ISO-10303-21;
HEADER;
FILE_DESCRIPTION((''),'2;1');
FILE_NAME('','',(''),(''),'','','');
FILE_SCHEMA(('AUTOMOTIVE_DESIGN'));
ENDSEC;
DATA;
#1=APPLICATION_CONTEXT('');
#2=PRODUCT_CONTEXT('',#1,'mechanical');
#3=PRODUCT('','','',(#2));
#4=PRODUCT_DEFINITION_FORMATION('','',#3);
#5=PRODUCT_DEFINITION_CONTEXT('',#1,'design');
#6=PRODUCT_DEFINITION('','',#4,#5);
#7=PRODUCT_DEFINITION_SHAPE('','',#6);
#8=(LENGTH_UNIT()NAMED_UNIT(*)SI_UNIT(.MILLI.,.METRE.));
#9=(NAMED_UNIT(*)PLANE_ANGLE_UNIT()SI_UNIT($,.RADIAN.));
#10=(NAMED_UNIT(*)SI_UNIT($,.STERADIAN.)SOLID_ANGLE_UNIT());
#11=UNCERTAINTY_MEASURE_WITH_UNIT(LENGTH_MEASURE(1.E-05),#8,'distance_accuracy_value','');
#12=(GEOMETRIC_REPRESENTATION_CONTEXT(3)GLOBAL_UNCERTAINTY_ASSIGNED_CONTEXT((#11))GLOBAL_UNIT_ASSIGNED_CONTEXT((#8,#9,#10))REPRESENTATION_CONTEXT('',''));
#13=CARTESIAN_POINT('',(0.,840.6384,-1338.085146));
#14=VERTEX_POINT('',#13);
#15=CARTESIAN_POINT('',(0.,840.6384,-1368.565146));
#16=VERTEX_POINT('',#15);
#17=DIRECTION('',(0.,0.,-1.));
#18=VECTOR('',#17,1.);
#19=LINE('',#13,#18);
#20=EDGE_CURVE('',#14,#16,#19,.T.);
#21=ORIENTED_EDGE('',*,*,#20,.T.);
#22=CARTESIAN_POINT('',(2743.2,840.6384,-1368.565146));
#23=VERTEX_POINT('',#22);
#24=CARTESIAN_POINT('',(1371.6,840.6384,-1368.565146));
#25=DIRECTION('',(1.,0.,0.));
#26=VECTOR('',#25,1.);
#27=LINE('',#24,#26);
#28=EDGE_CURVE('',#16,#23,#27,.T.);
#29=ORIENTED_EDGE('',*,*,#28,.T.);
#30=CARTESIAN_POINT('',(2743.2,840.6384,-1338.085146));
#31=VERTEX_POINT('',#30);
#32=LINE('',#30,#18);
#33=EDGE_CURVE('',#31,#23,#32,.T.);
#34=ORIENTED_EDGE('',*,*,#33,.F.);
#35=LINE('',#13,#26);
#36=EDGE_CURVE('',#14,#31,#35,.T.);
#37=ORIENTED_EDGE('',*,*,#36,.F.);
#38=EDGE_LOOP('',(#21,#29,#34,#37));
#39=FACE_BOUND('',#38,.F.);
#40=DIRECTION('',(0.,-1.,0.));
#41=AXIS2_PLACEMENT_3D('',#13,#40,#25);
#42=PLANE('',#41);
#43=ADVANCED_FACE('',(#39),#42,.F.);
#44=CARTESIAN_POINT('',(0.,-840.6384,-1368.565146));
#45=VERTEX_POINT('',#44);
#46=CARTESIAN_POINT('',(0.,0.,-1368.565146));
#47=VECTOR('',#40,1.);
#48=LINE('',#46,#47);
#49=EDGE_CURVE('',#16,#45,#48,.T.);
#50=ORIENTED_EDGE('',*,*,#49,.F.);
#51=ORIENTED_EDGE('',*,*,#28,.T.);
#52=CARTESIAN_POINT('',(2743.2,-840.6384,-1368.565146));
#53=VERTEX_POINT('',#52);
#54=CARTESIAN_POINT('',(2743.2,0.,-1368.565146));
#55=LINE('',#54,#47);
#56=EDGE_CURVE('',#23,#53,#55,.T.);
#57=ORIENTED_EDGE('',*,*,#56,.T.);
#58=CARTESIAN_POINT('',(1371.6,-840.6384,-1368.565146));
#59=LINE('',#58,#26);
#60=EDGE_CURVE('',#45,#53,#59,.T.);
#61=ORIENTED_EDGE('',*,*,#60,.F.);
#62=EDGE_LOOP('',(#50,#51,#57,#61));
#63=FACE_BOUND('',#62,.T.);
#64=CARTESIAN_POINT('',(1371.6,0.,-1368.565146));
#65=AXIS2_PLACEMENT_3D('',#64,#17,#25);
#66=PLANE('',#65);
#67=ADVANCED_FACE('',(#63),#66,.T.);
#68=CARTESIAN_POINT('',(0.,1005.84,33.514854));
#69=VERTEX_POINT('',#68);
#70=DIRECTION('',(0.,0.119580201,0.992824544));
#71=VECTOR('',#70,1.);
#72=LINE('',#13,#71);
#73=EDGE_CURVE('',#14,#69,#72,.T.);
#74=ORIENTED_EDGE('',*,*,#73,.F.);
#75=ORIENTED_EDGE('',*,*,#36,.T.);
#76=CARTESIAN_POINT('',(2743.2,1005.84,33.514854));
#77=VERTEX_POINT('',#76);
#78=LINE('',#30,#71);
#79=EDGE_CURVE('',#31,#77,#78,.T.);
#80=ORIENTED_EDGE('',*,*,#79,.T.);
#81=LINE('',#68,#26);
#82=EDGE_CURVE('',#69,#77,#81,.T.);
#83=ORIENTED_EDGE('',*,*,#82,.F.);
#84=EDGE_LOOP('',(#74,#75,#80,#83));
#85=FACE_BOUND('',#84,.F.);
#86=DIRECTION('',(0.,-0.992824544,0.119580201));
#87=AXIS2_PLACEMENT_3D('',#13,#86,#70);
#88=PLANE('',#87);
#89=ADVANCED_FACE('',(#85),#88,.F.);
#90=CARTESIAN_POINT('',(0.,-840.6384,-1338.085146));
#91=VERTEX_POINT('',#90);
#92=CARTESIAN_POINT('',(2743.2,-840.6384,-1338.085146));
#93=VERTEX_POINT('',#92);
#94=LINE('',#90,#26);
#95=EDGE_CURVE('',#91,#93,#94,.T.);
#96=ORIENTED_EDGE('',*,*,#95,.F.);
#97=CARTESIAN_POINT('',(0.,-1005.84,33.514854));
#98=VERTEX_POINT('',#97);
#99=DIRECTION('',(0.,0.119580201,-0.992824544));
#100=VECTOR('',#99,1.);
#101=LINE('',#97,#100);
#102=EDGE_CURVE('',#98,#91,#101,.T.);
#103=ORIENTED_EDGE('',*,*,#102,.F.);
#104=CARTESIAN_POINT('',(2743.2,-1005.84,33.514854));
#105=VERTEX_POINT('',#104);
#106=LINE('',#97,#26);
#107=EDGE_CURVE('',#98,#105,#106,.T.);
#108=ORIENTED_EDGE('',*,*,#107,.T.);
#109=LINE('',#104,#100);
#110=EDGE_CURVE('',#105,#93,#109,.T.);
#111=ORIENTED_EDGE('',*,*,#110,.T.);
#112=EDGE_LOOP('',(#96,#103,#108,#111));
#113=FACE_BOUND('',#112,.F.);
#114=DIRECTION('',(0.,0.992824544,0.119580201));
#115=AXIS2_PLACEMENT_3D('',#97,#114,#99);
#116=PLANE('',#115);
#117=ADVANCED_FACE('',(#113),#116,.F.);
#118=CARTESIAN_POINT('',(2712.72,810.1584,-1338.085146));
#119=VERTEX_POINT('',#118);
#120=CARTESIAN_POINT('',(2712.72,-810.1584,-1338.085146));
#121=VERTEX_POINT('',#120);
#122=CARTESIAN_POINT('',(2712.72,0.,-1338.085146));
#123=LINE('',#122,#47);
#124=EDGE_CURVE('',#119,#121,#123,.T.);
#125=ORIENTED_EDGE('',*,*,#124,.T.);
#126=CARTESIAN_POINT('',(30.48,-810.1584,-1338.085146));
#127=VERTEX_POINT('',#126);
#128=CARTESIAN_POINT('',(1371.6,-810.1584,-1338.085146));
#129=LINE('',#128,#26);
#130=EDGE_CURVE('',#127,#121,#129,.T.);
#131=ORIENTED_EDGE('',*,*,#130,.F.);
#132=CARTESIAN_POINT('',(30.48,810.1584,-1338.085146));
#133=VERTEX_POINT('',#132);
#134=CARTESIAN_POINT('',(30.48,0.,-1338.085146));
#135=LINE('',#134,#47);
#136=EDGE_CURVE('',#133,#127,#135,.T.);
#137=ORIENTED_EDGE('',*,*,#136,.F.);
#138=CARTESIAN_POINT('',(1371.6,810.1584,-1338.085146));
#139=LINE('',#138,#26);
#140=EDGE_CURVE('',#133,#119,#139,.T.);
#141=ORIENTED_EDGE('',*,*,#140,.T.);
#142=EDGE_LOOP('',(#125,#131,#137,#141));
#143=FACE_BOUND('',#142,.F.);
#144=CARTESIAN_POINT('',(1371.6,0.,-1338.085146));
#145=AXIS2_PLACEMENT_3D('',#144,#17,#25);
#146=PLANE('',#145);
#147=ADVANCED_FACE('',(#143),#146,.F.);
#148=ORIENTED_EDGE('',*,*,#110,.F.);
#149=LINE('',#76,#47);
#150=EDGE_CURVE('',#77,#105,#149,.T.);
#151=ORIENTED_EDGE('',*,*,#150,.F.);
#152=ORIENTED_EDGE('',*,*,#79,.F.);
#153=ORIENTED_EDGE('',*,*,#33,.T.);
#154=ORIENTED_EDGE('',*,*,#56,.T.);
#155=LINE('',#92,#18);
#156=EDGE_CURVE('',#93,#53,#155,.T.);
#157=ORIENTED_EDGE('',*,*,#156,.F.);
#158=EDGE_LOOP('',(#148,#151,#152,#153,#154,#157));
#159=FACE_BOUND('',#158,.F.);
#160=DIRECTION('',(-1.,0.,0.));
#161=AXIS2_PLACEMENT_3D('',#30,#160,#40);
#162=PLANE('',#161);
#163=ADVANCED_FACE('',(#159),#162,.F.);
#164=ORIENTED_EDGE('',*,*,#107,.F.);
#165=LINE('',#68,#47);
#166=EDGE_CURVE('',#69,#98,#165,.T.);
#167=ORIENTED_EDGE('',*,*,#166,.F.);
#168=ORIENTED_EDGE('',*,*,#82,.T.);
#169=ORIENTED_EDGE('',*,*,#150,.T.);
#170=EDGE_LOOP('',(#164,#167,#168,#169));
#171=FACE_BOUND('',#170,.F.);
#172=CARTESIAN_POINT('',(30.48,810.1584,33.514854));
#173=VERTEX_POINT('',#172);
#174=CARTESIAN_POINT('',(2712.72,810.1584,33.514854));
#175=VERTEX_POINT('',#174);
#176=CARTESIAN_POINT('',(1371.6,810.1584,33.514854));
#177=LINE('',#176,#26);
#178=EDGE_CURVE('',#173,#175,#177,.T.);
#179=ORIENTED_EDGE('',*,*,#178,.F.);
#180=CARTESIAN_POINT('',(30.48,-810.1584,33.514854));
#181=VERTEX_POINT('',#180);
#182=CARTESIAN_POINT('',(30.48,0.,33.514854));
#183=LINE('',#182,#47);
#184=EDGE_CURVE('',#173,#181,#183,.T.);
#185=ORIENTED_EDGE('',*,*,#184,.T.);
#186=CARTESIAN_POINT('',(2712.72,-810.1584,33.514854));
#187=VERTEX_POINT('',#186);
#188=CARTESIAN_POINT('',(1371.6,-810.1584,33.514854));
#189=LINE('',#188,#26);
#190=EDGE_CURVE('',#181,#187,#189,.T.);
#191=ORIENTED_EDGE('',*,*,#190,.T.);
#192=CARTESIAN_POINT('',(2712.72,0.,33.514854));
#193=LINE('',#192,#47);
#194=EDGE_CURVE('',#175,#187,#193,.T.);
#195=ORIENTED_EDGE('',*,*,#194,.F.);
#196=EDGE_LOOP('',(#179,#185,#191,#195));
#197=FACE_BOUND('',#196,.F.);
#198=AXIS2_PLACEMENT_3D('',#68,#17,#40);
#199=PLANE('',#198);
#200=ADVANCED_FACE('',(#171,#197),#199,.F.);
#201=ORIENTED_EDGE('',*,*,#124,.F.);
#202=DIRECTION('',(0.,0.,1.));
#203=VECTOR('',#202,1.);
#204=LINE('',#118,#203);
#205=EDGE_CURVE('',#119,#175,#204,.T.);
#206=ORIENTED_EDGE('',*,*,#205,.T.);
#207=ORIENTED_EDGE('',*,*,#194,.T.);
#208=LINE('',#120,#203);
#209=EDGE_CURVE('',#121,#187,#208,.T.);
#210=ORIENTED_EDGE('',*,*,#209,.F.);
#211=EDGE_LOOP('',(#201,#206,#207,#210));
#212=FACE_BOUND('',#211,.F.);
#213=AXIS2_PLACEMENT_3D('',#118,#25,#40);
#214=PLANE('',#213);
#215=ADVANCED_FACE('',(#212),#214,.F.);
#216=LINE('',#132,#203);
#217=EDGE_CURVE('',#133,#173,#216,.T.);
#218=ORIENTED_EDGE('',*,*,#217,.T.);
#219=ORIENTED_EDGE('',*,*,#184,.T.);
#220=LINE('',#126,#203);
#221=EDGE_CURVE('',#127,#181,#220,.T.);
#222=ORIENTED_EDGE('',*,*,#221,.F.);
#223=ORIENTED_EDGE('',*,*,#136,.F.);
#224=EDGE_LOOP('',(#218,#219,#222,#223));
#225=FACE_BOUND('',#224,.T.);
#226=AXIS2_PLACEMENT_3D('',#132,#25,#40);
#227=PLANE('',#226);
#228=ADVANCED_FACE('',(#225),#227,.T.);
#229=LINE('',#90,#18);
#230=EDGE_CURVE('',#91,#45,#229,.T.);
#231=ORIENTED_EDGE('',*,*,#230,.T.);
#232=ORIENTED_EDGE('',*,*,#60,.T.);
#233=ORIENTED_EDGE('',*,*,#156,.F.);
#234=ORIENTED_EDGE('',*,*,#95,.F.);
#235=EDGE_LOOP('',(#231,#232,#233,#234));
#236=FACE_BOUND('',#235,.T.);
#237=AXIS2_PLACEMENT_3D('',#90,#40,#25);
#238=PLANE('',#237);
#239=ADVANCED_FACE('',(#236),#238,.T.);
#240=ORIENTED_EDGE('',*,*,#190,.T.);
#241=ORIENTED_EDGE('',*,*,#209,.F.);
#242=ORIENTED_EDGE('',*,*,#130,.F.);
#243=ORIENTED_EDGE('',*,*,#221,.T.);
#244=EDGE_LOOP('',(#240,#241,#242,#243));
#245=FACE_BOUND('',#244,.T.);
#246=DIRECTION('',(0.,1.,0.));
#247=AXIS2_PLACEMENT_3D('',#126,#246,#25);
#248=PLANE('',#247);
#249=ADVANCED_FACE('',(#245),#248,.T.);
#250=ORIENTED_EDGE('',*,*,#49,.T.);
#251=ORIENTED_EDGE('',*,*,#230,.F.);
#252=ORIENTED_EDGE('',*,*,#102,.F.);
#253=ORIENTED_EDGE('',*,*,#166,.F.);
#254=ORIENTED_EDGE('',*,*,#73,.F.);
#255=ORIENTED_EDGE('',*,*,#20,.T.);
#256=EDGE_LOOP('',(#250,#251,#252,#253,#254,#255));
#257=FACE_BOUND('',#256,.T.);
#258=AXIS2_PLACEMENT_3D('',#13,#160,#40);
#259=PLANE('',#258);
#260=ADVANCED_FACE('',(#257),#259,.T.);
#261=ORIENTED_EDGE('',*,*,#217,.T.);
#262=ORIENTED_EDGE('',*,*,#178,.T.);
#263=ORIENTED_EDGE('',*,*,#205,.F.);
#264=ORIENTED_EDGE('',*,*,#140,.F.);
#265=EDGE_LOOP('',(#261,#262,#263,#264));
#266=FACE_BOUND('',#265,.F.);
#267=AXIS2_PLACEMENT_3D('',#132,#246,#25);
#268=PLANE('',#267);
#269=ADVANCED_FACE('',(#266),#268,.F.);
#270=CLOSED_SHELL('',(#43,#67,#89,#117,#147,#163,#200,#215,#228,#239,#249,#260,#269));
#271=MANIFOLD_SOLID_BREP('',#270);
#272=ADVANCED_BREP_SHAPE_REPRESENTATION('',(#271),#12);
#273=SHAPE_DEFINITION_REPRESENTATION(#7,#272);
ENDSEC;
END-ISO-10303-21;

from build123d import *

# Parameters (mm, degrees)
F1_DEPTH = 2743.2
F2_W     = 2682.24
F2_H     = 1620.3168
F3_DEPTH = 1371.6
F4_W     = 2743.2
F4_H     = 1681.2768
F5_DEPTH = 30.48


with BuildPart() as f1:
    # F0 (on Right) → F1 (new body)
    with BuildSketch(Plane.YZ):
        Polygon((-840.6384, -1338.085146), (0, -1338.085146), (840.6384, -1338.085146), (1005.84, 33.514854), (0, 33.514854), (-1005.84, 33.514854), align=None)
    extrude(amount=F1_DEPTH)

    # F2 (on face) → F3 (cut, through all)
    with BuildSketch(Plane(origin=(0, 0, -1338.085146), x_dir=(1, 0, 0), z_dir=(0, 0, -1))):
        with Locations((1371.6, 0)):
            Rectangle(F2_W, F2_H)
    extrude(amount=-F3_DEPTH, mode=Mode.SUBTRACT)

    # F4 (on face) → F5 (join)
    with BuildSketch(Plane(origin=(0, 0, -1338.085146), x_dir=(1, 0, 0), z_dir=(0, 0, -1))):
        with Locations((1371.6, 0)):
            Rectangle(F4_W, F4_H)
    extrude(amount=F5_DEPTH)


solid = f1.part
